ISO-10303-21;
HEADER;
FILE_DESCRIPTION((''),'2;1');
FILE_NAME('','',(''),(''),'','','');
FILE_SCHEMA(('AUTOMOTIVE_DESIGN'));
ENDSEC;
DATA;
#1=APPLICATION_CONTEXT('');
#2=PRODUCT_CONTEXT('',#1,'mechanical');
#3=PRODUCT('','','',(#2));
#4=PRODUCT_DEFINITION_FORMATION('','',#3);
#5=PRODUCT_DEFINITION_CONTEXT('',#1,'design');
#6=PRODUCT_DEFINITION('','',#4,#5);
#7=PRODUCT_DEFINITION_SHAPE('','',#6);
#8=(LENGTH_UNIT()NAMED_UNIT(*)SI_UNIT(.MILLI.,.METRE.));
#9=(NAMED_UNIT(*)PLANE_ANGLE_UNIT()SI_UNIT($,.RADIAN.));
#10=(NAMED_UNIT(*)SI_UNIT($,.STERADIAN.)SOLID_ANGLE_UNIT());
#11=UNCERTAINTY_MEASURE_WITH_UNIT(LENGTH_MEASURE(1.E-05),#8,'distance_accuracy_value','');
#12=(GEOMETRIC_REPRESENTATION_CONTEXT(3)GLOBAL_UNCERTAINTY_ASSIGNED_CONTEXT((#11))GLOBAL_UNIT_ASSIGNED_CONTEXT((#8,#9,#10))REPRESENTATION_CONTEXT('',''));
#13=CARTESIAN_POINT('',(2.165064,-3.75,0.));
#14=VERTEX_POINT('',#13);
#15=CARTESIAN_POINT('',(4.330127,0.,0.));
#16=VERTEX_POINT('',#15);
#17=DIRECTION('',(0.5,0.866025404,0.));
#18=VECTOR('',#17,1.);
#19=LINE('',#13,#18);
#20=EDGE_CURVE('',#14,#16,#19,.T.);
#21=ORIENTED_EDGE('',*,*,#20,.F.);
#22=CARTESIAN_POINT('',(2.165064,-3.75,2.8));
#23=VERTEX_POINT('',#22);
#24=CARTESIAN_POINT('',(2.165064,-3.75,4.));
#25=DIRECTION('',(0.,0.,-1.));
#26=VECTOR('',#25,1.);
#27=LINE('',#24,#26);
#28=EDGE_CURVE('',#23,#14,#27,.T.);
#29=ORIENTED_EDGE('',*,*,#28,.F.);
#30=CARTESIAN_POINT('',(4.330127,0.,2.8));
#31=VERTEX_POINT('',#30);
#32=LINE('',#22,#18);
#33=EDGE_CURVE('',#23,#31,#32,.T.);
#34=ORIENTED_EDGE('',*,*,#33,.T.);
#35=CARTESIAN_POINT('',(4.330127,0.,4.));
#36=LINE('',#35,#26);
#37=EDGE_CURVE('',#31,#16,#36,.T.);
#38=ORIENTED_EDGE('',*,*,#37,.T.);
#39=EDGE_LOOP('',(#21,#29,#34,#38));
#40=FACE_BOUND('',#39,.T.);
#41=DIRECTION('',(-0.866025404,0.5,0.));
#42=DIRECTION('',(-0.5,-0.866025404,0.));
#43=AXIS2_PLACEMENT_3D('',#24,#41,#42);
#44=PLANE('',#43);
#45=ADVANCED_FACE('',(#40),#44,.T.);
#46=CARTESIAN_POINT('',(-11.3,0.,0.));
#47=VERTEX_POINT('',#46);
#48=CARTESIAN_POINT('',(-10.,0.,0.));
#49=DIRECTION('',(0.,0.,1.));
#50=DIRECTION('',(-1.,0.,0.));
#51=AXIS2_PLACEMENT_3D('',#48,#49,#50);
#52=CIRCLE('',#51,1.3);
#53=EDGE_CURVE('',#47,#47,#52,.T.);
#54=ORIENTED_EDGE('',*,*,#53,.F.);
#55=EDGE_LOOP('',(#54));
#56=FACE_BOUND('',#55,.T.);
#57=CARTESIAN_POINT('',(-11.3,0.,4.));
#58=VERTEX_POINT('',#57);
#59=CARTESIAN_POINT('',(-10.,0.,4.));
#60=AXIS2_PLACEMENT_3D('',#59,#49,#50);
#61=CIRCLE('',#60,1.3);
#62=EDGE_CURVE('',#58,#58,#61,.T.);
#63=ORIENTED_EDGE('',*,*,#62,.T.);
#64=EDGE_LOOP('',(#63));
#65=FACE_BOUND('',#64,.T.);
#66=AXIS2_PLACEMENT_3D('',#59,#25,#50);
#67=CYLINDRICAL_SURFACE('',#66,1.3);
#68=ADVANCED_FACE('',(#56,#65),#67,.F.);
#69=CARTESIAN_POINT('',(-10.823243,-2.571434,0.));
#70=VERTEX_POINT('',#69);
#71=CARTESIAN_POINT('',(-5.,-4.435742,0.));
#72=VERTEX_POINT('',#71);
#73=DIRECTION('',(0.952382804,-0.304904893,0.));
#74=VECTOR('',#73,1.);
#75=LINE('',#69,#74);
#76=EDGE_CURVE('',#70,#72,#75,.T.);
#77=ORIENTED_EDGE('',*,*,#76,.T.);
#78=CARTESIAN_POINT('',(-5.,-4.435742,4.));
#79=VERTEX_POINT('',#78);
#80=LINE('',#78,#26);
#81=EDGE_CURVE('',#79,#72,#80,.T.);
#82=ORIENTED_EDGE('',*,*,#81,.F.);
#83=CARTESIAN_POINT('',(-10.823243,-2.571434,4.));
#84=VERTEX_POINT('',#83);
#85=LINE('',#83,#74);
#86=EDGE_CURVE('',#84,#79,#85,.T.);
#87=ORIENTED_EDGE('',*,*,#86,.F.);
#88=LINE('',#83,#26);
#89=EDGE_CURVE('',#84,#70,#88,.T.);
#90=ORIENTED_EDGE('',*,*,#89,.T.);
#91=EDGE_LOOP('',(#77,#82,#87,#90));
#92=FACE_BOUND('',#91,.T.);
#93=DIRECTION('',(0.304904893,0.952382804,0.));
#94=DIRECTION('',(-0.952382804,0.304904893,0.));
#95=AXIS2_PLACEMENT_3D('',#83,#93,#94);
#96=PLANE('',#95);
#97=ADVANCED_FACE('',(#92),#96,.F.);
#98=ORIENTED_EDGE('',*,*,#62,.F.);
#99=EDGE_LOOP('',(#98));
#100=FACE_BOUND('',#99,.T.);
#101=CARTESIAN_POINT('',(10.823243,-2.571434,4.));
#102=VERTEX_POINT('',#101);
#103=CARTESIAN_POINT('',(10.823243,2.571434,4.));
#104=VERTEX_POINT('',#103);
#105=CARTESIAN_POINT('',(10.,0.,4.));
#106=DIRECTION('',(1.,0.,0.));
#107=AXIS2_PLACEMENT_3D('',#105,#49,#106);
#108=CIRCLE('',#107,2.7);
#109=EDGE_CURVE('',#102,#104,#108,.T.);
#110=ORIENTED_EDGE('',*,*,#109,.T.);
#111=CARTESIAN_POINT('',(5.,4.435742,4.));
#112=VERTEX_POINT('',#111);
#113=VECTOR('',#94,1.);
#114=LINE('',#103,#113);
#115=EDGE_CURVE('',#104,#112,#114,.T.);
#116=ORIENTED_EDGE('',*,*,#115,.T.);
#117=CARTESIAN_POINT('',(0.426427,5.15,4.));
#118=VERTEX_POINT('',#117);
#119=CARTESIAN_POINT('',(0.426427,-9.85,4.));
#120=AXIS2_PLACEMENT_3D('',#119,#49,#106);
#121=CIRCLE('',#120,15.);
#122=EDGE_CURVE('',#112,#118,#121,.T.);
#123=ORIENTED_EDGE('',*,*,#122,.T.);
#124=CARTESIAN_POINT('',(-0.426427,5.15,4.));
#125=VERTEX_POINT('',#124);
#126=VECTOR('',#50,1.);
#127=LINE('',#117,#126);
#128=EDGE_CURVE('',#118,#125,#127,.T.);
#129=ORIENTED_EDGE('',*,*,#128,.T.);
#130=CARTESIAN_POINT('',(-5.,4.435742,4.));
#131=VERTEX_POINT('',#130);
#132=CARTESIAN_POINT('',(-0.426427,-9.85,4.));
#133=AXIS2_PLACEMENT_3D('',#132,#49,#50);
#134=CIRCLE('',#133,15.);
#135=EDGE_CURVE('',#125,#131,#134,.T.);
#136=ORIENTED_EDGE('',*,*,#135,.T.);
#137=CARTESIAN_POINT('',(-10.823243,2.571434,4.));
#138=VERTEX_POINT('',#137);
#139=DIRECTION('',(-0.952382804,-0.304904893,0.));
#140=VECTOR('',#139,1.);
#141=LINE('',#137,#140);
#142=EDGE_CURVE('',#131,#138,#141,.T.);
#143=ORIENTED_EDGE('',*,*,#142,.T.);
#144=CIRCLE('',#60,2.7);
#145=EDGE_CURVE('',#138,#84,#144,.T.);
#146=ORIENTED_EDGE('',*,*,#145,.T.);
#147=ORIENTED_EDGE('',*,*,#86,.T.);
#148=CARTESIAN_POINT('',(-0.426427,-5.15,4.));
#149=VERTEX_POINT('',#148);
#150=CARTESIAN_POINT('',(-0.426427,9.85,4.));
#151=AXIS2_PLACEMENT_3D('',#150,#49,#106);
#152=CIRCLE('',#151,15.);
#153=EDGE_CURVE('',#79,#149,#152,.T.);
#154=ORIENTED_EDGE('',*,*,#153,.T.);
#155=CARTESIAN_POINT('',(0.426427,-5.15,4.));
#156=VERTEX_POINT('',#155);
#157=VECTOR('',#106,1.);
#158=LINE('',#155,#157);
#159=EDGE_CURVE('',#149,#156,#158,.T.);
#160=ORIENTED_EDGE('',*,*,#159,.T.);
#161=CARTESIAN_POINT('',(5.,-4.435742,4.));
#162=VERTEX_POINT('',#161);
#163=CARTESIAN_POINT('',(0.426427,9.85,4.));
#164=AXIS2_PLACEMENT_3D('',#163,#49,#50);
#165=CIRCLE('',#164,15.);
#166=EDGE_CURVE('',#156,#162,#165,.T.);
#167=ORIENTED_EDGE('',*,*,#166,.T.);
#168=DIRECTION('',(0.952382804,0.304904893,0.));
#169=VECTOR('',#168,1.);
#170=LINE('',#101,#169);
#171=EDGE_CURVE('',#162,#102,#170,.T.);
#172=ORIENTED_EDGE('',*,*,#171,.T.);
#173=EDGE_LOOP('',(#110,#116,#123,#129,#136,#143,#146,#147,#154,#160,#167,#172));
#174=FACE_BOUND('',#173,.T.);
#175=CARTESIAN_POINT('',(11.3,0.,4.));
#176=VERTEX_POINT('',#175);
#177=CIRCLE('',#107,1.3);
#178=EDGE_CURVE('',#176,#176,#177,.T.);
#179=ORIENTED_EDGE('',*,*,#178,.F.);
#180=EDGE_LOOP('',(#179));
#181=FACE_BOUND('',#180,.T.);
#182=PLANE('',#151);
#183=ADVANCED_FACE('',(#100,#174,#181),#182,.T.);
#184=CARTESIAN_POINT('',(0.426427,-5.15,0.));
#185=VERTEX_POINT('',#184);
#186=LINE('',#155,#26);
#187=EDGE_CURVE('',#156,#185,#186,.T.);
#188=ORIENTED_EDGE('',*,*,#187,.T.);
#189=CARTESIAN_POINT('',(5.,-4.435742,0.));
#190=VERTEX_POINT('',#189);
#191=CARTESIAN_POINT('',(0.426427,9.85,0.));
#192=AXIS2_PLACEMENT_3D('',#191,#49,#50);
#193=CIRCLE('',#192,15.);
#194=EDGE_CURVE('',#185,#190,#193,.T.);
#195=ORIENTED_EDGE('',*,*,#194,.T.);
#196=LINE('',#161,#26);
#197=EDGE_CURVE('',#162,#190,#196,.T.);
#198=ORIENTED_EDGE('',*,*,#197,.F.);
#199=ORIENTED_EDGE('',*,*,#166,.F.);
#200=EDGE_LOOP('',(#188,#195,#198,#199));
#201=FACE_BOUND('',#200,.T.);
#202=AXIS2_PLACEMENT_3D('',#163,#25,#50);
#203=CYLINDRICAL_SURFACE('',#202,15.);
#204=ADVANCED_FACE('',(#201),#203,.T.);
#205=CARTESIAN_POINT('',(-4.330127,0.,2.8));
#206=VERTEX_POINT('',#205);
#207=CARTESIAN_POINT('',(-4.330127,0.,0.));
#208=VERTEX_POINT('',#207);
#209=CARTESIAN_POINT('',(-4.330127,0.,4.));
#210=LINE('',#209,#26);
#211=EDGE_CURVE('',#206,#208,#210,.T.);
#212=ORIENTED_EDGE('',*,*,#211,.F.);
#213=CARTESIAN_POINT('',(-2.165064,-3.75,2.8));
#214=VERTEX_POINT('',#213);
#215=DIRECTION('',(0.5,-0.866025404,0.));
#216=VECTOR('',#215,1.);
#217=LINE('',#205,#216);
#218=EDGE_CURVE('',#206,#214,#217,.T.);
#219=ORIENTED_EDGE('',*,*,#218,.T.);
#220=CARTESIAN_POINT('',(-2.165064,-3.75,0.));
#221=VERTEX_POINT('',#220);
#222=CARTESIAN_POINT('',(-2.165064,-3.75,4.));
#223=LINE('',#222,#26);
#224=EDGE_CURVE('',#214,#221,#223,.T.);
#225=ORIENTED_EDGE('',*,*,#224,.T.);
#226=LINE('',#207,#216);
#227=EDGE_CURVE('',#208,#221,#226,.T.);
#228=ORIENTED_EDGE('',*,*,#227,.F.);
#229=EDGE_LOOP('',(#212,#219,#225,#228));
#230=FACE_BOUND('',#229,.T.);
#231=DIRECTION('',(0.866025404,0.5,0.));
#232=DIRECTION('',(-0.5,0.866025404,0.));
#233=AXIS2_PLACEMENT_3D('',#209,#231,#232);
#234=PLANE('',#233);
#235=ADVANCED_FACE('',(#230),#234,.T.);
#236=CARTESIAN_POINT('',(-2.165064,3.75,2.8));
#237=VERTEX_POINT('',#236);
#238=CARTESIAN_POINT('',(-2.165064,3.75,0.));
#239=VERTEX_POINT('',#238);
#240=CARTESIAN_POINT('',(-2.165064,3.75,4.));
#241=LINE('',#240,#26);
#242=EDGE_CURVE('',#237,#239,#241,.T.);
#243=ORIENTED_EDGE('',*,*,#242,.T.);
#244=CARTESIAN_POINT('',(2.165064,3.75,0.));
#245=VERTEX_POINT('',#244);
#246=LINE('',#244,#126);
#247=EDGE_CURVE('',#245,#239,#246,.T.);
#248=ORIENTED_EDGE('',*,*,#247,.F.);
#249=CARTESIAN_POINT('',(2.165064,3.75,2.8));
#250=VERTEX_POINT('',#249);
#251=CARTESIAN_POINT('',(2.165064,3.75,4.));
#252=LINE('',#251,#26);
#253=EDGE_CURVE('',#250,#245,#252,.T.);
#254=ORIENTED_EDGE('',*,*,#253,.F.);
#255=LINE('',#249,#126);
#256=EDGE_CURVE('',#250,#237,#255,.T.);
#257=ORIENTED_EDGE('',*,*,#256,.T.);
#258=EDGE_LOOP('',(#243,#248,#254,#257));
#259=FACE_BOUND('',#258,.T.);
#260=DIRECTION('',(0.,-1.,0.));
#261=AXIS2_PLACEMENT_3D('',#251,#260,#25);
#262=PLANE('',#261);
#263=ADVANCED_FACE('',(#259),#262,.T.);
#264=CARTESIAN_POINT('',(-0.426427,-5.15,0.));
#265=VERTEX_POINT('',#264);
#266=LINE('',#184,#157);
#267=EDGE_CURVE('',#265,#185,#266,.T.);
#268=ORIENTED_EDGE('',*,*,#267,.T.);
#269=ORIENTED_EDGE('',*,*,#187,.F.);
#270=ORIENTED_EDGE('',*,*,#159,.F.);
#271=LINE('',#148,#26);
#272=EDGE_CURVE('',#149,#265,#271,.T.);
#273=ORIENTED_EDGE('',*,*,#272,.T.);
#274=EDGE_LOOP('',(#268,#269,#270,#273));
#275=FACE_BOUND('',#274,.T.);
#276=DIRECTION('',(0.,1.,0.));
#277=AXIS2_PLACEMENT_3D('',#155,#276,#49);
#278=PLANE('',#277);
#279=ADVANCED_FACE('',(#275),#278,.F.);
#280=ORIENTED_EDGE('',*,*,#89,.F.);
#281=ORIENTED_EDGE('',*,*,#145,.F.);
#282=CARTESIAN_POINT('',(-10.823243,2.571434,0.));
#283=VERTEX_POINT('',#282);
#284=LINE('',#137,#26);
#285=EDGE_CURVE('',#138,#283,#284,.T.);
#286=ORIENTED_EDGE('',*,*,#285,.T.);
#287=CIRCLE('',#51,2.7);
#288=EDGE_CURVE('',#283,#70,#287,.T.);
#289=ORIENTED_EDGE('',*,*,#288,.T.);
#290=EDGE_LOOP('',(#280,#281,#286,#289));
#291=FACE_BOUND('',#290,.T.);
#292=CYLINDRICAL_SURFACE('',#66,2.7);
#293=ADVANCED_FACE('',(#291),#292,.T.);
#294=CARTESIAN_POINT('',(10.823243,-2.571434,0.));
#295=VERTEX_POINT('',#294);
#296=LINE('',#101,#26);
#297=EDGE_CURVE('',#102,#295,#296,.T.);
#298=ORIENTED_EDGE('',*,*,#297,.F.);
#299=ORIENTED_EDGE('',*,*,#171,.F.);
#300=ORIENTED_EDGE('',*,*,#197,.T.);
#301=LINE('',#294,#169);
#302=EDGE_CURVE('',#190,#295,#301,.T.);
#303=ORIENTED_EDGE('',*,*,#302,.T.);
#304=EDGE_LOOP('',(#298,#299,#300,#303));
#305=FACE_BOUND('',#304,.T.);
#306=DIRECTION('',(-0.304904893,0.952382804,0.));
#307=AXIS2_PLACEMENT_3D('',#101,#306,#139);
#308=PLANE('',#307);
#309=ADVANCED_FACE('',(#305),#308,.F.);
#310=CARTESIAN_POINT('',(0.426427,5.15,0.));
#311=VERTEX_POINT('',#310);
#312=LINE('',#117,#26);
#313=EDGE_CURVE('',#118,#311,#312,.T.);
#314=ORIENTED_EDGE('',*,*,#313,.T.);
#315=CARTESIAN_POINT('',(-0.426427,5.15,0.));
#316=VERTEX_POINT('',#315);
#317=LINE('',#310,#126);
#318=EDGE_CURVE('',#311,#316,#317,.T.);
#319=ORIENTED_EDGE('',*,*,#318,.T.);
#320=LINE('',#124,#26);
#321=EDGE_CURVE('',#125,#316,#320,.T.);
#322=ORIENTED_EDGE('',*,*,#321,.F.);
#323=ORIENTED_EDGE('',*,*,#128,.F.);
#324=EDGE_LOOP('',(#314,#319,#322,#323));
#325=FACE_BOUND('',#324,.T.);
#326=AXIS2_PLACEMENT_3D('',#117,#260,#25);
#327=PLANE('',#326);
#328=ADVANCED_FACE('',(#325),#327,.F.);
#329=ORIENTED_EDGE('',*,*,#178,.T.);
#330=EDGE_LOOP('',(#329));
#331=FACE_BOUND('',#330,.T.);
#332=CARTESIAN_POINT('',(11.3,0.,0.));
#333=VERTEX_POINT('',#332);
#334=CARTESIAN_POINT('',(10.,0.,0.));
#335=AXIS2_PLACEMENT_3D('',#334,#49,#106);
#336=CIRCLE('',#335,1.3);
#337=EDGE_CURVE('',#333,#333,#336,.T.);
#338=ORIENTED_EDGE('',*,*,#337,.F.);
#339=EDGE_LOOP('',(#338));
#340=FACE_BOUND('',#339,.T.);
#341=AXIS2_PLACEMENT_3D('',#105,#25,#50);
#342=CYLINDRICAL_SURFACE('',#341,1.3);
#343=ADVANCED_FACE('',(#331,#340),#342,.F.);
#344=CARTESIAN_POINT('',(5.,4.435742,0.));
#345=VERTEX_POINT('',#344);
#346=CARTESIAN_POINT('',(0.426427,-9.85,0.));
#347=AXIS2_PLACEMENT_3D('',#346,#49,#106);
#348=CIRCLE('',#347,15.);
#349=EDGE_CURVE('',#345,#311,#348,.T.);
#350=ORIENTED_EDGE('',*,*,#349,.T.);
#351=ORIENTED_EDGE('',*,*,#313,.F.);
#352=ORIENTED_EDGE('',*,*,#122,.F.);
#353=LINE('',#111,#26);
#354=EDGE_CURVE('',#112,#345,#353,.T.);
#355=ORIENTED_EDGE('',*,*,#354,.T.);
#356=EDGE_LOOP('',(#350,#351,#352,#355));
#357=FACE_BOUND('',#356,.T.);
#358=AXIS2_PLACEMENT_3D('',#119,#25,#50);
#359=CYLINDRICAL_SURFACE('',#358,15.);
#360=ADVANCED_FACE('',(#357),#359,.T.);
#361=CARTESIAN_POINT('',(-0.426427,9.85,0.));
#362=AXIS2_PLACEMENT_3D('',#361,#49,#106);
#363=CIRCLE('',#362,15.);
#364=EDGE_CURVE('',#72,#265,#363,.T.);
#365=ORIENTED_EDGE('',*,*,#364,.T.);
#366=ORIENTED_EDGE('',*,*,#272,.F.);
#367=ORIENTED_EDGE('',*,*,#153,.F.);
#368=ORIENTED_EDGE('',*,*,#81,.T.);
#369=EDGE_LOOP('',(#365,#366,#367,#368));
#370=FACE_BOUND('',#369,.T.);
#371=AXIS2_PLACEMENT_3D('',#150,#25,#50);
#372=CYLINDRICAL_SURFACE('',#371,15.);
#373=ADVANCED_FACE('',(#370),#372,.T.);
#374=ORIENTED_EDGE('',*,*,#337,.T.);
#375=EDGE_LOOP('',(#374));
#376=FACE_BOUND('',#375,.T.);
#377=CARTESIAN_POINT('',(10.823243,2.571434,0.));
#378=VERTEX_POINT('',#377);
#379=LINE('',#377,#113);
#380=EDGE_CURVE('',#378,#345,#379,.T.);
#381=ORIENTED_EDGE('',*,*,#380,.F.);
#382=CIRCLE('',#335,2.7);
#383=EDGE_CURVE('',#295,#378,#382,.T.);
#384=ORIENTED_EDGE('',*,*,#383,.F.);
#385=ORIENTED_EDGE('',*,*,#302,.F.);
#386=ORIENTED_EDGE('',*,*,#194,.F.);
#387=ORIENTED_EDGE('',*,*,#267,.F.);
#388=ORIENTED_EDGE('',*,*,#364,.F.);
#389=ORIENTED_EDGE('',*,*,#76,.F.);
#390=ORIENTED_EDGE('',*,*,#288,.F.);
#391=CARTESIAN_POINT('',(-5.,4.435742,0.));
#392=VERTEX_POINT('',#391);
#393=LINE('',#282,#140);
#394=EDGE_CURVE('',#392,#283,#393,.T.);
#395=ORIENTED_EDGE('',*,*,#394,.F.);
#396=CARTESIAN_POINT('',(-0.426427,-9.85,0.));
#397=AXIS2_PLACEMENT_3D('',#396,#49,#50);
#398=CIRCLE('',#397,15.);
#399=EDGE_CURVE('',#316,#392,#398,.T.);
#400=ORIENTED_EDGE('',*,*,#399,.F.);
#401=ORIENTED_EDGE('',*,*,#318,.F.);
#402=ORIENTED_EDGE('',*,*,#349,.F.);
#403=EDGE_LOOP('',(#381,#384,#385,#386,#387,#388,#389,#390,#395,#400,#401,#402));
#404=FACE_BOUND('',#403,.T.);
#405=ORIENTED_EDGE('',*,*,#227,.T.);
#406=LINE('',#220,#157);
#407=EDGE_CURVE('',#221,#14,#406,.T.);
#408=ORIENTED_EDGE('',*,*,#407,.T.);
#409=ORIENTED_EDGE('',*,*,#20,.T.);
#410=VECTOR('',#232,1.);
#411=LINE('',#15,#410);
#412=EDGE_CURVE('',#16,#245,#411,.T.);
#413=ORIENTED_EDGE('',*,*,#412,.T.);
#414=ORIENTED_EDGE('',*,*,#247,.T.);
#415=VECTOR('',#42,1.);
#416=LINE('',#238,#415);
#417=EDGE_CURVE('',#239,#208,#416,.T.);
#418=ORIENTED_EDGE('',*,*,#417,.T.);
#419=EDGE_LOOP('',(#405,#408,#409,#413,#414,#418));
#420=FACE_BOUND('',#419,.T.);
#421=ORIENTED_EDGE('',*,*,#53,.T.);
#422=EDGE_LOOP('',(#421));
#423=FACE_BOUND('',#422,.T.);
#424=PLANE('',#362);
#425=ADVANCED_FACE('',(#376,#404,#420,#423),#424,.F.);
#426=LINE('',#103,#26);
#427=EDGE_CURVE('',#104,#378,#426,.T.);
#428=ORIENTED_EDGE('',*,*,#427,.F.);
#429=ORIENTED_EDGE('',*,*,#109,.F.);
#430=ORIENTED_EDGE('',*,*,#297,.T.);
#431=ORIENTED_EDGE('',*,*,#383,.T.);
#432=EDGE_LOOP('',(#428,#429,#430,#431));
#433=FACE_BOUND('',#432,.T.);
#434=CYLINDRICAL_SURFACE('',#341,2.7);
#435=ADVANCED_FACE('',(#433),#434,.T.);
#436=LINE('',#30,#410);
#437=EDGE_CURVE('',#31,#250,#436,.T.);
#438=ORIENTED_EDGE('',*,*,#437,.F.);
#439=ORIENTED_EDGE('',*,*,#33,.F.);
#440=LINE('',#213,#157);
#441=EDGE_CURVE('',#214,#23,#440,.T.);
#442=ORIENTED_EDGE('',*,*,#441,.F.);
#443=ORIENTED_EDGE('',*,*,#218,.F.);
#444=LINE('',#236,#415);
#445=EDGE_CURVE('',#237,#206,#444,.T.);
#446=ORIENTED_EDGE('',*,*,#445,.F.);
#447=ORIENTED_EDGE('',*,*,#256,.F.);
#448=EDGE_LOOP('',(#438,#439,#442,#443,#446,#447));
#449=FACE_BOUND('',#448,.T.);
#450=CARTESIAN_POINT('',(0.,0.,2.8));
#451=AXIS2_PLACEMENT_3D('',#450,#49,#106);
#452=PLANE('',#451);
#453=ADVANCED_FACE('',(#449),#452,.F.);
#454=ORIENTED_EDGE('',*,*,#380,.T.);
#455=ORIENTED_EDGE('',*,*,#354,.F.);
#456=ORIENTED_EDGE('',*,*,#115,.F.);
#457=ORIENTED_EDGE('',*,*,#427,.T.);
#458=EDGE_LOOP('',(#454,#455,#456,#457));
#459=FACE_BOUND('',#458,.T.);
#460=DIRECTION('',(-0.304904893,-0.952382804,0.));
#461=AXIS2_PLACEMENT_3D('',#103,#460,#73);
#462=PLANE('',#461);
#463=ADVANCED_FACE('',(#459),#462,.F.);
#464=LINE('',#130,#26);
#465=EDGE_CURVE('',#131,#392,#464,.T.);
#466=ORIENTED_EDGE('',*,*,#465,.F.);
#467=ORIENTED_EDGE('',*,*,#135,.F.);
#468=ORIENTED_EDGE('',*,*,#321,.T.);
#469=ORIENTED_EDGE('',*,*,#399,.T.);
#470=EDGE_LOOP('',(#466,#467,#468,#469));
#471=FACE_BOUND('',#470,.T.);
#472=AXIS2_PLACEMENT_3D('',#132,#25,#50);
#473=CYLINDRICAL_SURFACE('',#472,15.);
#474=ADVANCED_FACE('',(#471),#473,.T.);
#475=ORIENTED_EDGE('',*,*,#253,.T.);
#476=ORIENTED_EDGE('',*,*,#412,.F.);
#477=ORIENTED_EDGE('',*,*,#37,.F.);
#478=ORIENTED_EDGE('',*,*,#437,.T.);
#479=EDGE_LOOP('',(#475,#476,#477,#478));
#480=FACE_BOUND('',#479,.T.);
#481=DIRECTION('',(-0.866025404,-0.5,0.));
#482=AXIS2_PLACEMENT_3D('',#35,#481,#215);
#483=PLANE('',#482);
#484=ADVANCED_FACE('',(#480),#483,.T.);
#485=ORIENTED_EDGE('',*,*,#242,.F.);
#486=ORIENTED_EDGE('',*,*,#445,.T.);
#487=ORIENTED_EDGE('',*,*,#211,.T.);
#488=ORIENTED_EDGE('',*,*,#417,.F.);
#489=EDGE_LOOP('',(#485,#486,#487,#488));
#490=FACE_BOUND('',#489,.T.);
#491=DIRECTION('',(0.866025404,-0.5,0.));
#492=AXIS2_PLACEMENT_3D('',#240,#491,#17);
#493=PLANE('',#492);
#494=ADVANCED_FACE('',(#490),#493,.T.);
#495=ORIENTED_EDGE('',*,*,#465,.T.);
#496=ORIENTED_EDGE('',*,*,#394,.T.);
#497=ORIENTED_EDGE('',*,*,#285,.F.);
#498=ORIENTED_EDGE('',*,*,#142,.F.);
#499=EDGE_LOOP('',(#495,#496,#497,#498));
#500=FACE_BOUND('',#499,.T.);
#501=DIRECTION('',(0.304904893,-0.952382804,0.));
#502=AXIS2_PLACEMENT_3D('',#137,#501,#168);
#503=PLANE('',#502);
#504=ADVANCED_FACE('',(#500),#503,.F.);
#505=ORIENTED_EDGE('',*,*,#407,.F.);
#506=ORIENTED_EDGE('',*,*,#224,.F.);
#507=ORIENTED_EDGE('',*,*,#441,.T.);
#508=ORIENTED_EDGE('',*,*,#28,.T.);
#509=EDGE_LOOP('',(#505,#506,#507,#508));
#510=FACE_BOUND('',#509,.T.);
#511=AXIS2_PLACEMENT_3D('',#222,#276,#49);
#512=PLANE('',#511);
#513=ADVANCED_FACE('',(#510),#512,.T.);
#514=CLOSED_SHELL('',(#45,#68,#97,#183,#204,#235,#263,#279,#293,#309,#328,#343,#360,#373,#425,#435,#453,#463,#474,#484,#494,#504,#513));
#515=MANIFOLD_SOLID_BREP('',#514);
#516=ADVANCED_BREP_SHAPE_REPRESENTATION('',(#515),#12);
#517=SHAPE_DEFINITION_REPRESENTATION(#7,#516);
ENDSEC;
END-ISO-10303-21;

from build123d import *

# Parameters (mm, degrees)
SKETCH1_R           = 1.3
BOSS_EXTRUDE1_DEPTH = 4
SKETCH2_R           = 4.330127019
BOSS_EXTRUDE2_DEPTH = 1.2


with BuildPart() as part:
    # Sketch1 → Boss-Extrude1 (new body)
    with BuildSketch(Plane.XY):
        with BuildLine():
            Line((10.823243212, 2.571433572), (5, 4.435742065))
            ThreePointArc((5, 4.435742065), (2.74093184, 4.97035983), (0.426426599, 5.15))
            Line((0.426426599, 5.15), (-0.426426599, 5.15))
            ThreePointArc((-0.426426599, 5.15), (-2.74093184, 4.97035983), (-5, 4.435742065))
            Line((-5, 4.435742065), (-10.823243212, 2.571433572))
            ThreePointArc((-10.823243212, 2.571433572), (-12.7, 0), (-10.823243212, -2.571433572))
            Line((-10.823243212, -2.571433572), (-5, -4.435742065))
            ThreePointArc((-5, -4.435742065), (-2.74093184, -4.97035983), (-0.426426599, -5.15))
            Line((-0.426426599, -5.15), (0.426426599, -5.15))
            ThreePointArc((0.426426599, -5.15), (2.74093184, -4.97035983), (5, -4.435742065))
            Line((5, -4.435742065), (10.823243212, -2.571433572))
            ThreePointArc((10.823243212, -2.571433572), (12.7, 0), (10.823243212, 2.571433572))
        make_face()
        with Locations((10, 0)):
            Circle(SKETCH1_R, mode=Mode.SUBTRACT)
        with Locations(Location((-10, 0, 0), (0, 0, 180))):
            Circle(SKETCH1_R, mode=Mode.SUBTRACT)
        Polygon((2.165063509, 3.75), (-2.165063509, 3.75), (-4.330127019, 0), (-2.165063509, -3.75), (2.165063509, -3.75), (4.330127019, 0), align=None, mode=Mode.SUBTRACT)
    extrude(amount=BOSS_EXTRUDE1_DEPTH)

    # Sketch2 → Boss-Extrude2 (add)
    with BuildSketch(Plane.XY.offset(4)):
        Circle(SKETCH2_R)
    extrude(amount=-BOSS_EXTRUDE2_DEPTH)


solid = part.part
